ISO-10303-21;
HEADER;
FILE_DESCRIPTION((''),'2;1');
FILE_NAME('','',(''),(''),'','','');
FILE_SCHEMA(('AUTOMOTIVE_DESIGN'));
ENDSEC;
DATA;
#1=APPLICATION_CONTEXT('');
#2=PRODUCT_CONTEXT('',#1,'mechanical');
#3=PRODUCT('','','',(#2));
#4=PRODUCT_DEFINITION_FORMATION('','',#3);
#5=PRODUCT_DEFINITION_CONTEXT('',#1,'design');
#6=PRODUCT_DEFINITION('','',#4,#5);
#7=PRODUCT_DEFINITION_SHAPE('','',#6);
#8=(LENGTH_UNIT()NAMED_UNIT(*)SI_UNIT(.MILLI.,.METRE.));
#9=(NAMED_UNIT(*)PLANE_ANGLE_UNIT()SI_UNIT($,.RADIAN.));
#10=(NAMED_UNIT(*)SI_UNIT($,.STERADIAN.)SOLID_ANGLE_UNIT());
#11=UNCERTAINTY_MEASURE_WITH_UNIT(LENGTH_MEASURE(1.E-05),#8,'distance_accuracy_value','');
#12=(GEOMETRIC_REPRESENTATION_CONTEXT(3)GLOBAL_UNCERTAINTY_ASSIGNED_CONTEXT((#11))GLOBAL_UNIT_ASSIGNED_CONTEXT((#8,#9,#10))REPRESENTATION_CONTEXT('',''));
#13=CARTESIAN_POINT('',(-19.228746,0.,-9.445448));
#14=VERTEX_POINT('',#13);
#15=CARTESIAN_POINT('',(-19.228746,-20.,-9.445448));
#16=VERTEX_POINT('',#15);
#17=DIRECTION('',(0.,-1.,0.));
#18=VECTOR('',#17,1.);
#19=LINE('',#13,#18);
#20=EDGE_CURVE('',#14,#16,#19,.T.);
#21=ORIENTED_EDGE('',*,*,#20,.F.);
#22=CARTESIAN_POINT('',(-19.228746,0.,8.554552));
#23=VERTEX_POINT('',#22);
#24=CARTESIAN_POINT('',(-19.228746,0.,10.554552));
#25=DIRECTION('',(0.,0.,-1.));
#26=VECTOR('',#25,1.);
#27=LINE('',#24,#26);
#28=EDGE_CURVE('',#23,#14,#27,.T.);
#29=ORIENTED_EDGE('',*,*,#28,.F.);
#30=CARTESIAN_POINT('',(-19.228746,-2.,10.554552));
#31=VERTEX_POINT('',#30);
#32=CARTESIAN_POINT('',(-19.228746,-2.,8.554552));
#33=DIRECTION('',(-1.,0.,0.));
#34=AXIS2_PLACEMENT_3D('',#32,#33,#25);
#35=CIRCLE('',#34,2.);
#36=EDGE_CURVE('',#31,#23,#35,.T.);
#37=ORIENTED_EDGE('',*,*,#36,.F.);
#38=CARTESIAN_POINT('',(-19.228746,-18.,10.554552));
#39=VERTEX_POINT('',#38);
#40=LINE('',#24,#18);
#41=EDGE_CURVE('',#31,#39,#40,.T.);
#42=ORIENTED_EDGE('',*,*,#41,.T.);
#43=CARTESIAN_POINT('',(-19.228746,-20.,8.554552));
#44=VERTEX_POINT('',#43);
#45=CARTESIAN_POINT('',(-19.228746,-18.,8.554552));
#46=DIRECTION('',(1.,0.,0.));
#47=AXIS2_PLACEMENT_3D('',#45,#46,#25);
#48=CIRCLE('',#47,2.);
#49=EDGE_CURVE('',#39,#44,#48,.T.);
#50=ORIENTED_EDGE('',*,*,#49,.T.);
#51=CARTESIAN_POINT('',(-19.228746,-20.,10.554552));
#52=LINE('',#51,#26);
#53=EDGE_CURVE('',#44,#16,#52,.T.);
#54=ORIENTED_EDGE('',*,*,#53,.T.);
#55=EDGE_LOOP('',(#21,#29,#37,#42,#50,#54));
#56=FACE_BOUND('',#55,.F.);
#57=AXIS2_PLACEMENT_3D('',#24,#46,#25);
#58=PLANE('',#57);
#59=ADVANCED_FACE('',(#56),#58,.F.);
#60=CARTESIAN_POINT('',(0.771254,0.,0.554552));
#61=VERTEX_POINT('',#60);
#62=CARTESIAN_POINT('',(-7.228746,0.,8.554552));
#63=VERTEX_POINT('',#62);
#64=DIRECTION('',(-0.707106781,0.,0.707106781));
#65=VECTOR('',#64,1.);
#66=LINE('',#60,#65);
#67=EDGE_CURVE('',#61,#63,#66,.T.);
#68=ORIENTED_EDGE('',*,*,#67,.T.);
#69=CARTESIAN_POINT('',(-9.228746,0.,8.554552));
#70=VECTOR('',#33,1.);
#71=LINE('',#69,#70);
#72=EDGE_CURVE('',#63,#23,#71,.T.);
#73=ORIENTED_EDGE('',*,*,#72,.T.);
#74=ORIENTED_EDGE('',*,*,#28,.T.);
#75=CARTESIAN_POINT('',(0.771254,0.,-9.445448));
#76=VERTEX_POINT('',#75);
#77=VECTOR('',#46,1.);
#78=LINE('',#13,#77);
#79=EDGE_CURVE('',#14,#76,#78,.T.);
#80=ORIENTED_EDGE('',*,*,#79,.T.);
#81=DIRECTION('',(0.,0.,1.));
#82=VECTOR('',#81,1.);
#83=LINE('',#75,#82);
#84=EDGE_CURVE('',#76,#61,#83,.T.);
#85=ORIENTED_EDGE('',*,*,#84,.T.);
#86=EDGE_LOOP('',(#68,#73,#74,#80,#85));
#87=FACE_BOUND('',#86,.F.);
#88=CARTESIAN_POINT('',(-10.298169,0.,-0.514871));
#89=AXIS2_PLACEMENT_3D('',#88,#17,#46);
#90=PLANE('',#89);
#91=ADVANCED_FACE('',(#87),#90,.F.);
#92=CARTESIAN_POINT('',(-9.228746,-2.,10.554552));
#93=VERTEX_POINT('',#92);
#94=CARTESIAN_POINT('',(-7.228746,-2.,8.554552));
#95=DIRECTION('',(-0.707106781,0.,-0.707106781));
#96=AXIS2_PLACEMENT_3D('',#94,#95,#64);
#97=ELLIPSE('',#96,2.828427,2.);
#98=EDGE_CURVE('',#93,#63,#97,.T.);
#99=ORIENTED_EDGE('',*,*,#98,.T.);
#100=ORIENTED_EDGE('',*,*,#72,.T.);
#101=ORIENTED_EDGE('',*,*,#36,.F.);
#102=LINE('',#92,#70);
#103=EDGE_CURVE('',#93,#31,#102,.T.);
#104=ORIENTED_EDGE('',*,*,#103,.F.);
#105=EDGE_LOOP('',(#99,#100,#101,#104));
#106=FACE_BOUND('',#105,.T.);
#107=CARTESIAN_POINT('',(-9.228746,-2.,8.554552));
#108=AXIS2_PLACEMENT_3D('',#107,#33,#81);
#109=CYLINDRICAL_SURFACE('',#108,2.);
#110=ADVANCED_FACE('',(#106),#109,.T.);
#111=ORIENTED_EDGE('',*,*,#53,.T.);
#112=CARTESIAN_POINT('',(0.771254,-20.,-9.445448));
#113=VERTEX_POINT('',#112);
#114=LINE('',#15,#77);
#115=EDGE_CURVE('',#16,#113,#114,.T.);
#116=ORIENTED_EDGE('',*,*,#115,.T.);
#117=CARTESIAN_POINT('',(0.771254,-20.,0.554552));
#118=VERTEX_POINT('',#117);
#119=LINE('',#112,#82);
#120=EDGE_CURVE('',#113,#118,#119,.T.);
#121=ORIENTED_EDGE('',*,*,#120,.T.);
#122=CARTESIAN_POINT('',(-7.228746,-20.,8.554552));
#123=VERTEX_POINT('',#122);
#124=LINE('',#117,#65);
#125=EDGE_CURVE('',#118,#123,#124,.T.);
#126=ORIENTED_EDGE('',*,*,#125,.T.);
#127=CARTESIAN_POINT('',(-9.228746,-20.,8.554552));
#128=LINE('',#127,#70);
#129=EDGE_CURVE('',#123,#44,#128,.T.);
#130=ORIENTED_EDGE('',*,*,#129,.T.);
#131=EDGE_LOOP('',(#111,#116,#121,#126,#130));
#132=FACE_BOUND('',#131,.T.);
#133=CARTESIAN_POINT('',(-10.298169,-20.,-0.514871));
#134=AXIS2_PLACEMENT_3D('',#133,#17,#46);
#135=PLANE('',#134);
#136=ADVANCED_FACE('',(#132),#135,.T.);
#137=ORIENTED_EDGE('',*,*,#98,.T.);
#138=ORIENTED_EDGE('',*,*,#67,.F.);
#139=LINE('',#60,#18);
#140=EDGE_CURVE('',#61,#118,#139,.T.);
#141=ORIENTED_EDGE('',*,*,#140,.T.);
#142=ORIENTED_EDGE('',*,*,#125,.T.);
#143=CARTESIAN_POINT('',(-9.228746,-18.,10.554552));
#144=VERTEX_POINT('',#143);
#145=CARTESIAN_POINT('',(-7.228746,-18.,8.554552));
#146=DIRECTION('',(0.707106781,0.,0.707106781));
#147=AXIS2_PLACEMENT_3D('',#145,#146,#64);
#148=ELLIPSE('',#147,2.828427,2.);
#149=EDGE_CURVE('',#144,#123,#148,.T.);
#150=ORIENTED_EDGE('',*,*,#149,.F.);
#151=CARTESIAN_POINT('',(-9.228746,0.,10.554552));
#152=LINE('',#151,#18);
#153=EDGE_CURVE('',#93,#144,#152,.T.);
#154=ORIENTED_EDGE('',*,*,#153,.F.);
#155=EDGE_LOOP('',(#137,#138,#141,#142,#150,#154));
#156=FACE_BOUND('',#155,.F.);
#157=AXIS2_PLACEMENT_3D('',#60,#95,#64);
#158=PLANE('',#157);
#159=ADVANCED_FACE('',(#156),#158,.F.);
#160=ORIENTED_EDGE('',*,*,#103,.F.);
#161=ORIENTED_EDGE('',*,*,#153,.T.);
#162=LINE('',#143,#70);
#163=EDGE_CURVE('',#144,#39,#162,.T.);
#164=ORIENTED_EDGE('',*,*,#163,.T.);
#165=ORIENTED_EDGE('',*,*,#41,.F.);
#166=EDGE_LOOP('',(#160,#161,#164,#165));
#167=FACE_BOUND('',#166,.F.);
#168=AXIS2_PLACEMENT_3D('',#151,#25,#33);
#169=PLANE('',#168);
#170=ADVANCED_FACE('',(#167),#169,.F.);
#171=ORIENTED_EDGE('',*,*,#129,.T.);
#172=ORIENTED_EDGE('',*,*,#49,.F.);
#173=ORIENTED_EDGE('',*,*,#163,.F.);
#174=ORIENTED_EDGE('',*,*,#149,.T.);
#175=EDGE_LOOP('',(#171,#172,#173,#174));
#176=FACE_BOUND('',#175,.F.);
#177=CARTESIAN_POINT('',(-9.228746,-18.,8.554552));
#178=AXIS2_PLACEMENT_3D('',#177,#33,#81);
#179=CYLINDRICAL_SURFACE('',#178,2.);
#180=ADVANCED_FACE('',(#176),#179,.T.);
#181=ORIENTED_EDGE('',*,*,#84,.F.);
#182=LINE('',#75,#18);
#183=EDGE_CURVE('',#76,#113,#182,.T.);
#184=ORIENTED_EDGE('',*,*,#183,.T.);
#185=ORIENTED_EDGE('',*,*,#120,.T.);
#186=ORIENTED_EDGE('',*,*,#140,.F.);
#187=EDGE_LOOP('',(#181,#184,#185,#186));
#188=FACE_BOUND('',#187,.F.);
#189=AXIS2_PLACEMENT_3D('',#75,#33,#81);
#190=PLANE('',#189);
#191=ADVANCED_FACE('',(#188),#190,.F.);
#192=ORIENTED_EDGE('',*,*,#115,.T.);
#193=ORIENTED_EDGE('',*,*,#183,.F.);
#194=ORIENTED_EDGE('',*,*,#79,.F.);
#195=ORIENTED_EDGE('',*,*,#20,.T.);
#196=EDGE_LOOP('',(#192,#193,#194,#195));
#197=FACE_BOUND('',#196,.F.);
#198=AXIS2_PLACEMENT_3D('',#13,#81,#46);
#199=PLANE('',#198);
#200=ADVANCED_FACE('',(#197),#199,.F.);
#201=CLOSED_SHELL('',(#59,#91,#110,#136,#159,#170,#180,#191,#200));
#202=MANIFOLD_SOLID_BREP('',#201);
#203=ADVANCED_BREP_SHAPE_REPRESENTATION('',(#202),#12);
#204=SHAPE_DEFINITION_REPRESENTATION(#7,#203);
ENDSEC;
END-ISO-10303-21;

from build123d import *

# Parameters (mm, degrees)
F1_DEPTH = 20
F2_R     = 2


with BuildPart() as f1:
    # F0 (on Front) → F1 (new body)
    with BuildSketch(Plane.XZ):
        Polygon((-19.228746, -9.445448), (0.771254, -9.445448), (0.771254, 0.554552), (-9.228746, 10.554552), (-19.228746, 10.554552), align=None)
    extrude(amount=F1_DEPTH)

    # F2
    f2_edges = [f1.edges().sort_by_distance(p)[0] for p in [
        (-14.228746, 0, 10.554552),
        (-14.228746, -20, 10.554552),
    ]]
    fillet(f2_edges, radius=F2_R)


solid = f1.part
